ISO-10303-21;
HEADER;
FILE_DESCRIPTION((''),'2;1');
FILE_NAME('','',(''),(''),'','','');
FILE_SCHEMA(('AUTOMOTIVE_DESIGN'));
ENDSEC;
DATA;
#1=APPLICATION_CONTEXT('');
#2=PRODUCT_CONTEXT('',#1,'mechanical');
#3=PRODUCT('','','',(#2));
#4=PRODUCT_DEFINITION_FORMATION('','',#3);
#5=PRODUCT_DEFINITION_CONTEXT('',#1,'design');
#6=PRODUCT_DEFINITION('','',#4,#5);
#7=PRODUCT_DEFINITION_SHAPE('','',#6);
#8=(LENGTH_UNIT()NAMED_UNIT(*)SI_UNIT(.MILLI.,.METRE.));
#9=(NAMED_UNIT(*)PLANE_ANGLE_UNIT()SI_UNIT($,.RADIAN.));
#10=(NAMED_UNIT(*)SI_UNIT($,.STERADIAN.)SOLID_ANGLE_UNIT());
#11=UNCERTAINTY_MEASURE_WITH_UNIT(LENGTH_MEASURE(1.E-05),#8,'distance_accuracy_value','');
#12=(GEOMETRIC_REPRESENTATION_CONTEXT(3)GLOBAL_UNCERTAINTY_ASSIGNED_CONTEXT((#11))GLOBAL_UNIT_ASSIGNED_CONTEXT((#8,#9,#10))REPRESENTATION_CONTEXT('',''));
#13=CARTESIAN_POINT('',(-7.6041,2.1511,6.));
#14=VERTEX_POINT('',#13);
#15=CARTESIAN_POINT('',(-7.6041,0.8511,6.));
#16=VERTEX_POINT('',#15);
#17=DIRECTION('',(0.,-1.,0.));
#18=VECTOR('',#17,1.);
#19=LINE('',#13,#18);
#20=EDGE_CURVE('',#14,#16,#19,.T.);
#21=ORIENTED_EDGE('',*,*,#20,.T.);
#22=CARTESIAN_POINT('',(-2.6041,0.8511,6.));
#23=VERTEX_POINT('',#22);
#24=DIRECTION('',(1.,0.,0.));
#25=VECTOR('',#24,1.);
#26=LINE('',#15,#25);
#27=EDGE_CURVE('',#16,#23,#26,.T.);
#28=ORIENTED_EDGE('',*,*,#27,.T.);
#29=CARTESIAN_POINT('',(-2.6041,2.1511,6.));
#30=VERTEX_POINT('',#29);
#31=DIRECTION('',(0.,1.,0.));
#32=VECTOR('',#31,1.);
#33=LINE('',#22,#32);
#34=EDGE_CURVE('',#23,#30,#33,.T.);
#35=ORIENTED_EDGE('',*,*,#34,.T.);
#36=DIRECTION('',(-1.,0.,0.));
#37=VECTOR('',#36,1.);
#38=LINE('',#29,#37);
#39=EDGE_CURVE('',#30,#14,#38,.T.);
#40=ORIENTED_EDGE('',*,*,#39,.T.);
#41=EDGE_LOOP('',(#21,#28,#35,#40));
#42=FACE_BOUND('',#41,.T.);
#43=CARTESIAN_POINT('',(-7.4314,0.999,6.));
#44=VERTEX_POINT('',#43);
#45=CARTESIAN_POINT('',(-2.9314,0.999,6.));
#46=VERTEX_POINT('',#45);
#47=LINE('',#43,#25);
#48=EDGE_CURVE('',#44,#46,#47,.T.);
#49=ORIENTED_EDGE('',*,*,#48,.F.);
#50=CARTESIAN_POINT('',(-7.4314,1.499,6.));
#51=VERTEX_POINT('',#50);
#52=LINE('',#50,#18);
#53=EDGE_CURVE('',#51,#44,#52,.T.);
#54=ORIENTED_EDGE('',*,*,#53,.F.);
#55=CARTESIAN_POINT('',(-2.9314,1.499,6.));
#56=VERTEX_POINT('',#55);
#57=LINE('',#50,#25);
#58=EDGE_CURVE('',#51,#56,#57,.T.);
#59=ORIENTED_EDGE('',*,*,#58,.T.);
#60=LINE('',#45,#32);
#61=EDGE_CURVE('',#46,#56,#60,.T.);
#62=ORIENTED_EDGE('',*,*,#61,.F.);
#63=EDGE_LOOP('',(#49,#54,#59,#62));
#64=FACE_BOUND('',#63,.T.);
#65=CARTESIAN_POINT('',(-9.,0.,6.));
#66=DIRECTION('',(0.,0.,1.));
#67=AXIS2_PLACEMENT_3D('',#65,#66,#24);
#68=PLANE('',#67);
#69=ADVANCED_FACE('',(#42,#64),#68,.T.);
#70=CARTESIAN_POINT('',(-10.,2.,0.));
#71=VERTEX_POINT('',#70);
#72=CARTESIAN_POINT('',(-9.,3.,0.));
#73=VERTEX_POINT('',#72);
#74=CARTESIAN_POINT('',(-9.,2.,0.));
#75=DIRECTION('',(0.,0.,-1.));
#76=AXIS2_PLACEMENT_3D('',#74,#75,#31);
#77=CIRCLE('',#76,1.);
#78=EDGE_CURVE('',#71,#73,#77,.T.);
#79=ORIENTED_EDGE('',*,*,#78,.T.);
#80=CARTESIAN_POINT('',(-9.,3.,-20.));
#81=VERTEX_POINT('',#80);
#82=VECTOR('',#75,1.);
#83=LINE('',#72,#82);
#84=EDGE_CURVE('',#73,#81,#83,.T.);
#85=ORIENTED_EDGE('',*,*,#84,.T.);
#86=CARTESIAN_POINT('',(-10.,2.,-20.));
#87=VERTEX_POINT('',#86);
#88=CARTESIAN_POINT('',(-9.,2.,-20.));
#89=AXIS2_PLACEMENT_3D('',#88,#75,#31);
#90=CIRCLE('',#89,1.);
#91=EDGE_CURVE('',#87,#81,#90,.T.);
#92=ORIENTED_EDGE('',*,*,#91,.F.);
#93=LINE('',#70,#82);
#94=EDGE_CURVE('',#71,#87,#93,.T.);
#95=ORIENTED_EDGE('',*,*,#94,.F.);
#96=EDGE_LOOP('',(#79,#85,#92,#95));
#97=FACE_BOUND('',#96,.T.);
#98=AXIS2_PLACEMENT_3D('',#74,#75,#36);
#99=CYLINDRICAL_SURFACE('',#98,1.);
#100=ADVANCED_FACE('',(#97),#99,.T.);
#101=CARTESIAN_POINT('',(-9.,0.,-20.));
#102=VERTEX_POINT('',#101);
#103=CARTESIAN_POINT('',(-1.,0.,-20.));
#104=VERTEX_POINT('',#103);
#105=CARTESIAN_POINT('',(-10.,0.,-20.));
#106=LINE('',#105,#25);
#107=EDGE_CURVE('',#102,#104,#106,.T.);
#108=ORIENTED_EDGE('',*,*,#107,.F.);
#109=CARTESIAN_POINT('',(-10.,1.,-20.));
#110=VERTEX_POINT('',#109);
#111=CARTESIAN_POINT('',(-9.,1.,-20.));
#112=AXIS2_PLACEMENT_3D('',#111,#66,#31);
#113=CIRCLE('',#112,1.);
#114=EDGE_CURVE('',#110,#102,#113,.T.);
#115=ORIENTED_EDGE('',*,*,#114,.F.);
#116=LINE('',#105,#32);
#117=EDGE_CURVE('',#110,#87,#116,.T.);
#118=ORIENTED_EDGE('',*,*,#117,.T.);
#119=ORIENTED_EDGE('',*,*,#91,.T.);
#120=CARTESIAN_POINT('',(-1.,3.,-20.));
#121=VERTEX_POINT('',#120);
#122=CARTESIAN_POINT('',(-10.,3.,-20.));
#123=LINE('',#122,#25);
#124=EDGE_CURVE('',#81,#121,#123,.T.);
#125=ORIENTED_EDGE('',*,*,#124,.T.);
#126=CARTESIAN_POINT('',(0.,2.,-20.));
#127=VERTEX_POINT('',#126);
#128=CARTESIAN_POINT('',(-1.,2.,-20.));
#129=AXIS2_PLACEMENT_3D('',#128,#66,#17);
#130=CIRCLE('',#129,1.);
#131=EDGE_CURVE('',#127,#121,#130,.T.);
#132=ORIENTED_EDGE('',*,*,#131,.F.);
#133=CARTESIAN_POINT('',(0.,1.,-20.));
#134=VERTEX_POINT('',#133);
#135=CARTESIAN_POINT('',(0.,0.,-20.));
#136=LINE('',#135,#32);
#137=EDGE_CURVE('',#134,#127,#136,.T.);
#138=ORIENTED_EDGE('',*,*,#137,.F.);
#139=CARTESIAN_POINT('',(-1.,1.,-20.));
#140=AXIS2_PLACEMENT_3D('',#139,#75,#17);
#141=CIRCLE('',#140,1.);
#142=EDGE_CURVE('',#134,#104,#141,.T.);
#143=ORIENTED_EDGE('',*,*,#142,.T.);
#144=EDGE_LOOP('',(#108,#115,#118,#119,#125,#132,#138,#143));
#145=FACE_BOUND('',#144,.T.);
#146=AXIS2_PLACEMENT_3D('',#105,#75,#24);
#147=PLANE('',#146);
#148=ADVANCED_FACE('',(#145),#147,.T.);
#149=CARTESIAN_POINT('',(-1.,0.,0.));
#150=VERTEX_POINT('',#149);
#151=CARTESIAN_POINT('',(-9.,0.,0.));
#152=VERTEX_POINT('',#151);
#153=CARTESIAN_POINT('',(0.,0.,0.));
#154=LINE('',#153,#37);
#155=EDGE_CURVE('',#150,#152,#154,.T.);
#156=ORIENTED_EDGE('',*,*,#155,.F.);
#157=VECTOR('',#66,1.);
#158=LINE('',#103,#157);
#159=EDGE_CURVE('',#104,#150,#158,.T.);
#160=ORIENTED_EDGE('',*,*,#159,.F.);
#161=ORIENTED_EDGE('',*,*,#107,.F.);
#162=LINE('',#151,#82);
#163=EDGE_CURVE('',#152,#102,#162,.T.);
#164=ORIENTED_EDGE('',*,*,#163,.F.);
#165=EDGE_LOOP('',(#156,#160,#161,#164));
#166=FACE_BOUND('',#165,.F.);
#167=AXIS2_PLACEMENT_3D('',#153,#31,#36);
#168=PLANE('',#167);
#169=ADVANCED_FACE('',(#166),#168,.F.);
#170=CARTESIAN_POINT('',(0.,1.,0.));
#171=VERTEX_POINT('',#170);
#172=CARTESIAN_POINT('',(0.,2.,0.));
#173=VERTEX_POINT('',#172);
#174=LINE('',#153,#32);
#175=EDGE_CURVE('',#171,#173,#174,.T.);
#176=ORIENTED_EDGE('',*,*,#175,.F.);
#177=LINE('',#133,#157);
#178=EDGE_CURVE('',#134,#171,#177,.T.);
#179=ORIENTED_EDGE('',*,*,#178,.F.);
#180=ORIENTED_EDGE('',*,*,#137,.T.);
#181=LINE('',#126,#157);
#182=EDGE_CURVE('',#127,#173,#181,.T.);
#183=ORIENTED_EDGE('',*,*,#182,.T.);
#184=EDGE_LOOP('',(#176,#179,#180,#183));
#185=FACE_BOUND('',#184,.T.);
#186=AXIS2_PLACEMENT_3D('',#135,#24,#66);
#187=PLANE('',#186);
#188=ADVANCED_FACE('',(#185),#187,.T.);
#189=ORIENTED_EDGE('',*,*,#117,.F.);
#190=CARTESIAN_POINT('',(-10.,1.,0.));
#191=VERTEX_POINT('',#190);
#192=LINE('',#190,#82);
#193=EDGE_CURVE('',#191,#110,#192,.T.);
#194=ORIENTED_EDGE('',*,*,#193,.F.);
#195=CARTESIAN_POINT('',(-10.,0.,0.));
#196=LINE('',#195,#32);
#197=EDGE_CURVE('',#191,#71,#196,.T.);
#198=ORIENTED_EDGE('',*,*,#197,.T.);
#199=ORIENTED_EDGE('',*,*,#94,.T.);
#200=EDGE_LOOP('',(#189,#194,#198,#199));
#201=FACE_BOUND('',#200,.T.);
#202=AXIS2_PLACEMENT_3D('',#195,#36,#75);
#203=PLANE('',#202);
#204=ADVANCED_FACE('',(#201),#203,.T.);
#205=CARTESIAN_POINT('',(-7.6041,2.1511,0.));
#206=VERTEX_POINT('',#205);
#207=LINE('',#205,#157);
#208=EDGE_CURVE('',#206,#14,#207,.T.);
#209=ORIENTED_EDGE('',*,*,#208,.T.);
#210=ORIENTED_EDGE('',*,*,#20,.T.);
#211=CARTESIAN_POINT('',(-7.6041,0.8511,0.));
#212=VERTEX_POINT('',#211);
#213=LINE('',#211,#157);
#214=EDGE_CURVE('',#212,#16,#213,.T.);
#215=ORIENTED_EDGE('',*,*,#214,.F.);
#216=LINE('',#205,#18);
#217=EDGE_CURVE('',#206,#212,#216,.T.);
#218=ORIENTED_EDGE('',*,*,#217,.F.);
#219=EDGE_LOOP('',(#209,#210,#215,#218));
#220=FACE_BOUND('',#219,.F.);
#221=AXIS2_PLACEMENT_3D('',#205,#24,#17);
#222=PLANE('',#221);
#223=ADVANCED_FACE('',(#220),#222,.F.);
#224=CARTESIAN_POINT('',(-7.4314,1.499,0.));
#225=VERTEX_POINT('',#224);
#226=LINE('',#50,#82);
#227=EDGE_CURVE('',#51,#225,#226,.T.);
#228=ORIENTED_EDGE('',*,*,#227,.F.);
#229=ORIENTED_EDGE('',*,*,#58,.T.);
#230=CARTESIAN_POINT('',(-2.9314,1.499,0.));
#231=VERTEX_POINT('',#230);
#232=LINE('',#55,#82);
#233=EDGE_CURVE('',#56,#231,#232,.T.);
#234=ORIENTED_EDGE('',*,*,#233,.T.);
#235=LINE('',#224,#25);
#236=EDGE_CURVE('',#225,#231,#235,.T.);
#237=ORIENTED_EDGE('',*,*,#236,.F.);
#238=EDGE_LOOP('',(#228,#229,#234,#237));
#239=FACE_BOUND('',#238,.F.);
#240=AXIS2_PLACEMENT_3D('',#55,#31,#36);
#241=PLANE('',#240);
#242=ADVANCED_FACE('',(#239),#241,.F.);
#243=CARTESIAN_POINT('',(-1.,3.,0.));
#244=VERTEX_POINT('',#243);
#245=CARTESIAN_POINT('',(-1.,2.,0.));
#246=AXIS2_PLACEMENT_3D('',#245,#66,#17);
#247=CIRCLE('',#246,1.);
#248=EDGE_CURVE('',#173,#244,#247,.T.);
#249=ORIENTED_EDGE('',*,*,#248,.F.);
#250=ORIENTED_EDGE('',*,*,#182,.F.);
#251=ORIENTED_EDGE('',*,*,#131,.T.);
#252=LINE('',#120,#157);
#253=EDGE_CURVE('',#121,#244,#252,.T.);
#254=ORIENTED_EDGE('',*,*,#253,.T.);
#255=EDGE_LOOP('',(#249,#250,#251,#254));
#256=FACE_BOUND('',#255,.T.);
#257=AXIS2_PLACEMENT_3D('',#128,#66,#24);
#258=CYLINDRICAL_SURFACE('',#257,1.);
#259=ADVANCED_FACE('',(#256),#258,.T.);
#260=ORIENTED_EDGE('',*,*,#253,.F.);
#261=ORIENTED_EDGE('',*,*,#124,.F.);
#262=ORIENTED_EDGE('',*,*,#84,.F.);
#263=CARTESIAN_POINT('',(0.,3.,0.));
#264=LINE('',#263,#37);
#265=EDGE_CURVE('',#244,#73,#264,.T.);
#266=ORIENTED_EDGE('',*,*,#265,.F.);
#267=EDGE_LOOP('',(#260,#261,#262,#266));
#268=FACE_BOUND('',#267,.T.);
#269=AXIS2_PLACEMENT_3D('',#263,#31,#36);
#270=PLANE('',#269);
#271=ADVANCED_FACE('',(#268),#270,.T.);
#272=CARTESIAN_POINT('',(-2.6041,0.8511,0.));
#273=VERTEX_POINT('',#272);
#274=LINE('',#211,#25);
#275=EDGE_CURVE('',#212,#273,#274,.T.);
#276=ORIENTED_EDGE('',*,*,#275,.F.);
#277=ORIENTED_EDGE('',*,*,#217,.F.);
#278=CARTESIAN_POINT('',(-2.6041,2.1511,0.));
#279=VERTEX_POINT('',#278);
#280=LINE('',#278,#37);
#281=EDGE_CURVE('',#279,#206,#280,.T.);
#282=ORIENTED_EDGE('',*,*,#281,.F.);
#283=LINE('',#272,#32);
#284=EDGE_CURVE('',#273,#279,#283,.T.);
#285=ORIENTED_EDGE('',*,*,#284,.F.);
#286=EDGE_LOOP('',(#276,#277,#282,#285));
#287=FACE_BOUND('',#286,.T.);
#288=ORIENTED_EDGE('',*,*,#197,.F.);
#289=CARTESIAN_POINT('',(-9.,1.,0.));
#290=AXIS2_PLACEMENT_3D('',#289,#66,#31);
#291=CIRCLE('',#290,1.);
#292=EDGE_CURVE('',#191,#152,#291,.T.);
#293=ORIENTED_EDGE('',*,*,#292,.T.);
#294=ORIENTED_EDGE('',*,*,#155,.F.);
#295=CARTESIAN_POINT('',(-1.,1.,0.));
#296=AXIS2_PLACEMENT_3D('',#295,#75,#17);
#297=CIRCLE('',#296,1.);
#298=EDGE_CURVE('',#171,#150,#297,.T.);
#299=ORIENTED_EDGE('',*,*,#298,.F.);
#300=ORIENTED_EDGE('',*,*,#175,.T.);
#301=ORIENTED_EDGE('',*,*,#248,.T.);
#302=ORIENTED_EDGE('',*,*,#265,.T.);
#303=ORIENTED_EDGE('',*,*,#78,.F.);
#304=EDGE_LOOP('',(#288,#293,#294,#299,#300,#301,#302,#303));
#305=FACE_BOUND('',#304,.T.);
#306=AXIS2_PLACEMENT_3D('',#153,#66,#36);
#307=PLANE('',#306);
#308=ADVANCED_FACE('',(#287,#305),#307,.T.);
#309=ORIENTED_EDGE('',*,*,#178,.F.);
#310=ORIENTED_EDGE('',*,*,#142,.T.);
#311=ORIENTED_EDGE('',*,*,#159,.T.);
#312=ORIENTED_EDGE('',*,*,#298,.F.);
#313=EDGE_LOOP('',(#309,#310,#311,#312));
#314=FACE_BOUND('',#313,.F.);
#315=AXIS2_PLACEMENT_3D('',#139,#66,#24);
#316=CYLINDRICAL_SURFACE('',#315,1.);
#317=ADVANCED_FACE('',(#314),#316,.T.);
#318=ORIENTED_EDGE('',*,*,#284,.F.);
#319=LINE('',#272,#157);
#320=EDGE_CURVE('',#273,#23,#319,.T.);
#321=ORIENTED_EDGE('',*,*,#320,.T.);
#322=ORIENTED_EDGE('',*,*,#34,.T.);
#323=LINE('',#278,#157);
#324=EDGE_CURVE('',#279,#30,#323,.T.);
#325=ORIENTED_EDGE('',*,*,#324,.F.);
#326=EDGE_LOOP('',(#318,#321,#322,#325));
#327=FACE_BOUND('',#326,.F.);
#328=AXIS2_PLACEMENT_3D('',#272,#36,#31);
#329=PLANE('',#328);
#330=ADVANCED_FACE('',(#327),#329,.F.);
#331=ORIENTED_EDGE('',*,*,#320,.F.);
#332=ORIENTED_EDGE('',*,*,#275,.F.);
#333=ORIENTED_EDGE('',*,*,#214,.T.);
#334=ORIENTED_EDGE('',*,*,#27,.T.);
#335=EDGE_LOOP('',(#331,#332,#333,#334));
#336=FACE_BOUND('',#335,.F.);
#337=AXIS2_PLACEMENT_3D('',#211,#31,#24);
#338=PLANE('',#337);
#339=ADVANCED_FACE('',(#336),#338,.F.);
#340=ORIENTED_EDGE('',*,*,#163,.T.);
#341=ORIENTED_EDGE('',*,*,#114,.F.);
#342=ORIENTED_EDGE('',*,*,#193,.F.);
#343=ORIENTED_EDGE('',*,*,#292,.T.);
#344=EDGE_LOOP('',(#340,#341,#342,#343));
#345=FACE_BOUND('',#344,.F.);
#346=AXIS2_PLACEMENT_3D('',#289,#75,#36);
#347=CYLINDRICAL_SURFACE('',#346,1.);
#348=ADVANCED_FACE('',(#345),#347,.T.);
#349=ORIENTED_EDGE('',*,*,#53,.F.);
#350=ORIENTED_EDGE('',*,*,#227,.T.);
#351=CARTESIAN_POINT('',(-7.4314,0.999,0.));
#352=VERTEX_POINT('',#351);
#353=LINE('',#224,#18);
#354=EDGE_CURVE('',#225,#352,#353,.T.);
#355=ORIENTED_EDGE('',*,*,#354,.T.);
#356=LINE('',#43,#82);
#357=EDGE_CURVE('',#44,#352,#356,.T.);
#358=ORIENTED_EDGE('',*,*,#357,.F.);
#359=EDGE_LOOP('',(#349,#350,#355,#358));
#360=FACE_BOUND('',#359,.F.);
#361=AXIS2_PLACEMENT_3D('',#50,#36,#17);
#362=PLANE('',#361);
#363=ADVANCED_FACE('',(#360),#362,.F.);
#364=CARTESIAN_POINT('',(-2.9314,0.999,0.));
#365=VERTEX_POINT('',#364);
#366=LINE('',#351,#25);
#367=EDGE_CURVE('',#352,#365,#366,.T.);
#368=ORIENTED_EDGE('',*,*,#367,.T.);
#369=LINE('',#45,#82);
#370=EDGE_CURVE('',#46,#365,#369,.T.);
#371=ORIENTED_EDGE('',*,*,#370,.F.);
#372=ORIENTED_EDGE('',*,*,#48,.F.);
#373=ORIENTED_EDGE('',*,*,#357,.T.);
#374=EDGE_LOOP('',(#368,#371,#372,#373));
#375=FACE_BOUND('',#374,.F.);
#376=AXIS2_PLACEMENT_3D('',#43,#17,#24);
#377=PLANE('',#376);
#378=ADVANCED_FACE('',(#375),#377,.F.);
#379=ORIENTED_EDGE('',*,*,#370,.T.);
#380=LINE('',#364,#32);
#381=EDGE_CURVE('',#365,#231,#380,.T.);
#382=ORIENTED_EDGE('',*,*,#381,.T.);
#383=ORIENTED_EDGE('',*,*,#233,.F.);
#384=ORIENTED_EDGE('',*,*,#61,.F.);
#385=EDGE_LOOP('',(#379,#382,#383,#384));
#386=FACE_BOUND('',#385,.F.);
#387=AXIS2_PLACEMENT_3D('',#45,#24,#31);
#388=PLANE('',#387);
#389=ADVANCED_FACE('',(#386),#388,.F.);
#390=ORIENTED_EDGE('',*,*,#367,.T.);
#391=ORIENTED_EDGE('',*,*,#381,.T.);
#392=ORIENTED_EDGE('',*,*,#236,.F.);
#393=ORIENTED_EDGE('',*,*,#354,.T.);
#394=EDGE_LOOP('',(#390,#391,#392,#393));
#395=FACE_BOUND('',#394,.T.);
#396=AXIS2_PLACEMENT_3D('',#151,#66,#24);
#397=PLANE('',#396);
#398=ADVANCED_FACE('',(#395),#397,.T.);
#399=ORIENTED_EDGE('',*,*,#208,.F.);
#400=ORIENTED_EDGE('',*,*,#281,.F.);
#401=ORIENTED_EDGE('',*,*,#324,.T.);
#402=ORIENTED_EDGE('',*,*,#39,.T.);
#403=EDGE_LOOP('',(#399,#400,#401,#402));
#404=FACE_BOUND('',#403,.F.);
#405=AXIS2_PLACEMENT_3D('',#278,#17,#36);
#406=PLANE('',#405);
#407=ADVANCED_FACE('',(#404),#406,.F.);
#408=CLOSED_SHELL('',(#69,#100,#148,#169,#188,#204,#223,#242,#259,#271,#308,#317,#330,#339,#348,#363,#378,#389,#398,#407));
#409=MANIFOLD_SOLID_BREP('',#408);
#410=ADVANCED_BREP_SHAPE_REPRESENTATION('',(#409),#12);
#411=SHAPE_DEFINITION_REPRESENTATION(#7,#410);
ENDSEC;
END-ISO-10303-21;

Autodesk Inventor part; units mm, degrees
ref_plane "YZ Plane" through (0, 0, 0) normal (1, 0, 0) x (0, 1, 0)
ref_plane "XZ Plane" through (0, 0, 0) normal (0, 1, 0) x (-1, 0, 0)
ref_plane "XY Plane" through (0, 0, 0) normal (0, 0, 1) x (1, 0, 0)
sketch "草圖2" plane through (0, 0, 0) normal (0, 1, 0) x (-1, 0, 0)
  line L0 (0, 0) -> (10, 0)
  line L1 (10, 0) -> (10, -20)
  line L2 (10, -20) -> (0, -20)
  line L3 (0, -20) -> (0, 0)
  dimension "d1" = 10
  dimension "d2" = 20
extrude "擠出1" add sketch "草圖2" along normal blind 3
fillet "圓角1" radius 1 4 edges at (-10, 3, -10) (0, 3, -10) (0, 0, -10) (-10, 0, -10)
sketch "草圖3" plane through (-9, 0, 0) normal (0, 0, 1) x (1, 0, 0)
  line L0 (1.3959, 0.8511) -> (6.3959, 0.8511)
  line L1 (6.3959, 0.8511) -> (6.3959, 2.1511)
  line L2 (6.3959, 2.1511) -> (1.3959, 2.1511)
  line L3 (1.3959, 2.1511) -> (1.3959, 0.8511)
  point P0 (9, 0)
  dimension "d6" = 5
  dimension "d7" = 1.3
extrude "擠出2" add sketch "草圖3" along normal blind 6
sketch "草圖4" plane through (-9, 0, 6) normal (0, 0, 1) x (1, 0, 0)
  line L0 (6.0686, 1.499) -> (1.5686, 1.499)
  line L1 (1.5686, 1.499) -> (1.5686, 0.999)
  line L2 (1.5686, 0.999) -> (6.0686, 0.999)
  line L3 (6.0686, 0.999) -> (6.0686, 1.499)
  line L4 (4.9801, 1.499) -> (4.9403, 1.499)
  point P0 (9, 0)
  dimension "d12" = 4.5
  dimension "d13" = 0.5
extrude "擠出3" cut sketch "草圖4" against normal blind 6
properties part number "USB"
